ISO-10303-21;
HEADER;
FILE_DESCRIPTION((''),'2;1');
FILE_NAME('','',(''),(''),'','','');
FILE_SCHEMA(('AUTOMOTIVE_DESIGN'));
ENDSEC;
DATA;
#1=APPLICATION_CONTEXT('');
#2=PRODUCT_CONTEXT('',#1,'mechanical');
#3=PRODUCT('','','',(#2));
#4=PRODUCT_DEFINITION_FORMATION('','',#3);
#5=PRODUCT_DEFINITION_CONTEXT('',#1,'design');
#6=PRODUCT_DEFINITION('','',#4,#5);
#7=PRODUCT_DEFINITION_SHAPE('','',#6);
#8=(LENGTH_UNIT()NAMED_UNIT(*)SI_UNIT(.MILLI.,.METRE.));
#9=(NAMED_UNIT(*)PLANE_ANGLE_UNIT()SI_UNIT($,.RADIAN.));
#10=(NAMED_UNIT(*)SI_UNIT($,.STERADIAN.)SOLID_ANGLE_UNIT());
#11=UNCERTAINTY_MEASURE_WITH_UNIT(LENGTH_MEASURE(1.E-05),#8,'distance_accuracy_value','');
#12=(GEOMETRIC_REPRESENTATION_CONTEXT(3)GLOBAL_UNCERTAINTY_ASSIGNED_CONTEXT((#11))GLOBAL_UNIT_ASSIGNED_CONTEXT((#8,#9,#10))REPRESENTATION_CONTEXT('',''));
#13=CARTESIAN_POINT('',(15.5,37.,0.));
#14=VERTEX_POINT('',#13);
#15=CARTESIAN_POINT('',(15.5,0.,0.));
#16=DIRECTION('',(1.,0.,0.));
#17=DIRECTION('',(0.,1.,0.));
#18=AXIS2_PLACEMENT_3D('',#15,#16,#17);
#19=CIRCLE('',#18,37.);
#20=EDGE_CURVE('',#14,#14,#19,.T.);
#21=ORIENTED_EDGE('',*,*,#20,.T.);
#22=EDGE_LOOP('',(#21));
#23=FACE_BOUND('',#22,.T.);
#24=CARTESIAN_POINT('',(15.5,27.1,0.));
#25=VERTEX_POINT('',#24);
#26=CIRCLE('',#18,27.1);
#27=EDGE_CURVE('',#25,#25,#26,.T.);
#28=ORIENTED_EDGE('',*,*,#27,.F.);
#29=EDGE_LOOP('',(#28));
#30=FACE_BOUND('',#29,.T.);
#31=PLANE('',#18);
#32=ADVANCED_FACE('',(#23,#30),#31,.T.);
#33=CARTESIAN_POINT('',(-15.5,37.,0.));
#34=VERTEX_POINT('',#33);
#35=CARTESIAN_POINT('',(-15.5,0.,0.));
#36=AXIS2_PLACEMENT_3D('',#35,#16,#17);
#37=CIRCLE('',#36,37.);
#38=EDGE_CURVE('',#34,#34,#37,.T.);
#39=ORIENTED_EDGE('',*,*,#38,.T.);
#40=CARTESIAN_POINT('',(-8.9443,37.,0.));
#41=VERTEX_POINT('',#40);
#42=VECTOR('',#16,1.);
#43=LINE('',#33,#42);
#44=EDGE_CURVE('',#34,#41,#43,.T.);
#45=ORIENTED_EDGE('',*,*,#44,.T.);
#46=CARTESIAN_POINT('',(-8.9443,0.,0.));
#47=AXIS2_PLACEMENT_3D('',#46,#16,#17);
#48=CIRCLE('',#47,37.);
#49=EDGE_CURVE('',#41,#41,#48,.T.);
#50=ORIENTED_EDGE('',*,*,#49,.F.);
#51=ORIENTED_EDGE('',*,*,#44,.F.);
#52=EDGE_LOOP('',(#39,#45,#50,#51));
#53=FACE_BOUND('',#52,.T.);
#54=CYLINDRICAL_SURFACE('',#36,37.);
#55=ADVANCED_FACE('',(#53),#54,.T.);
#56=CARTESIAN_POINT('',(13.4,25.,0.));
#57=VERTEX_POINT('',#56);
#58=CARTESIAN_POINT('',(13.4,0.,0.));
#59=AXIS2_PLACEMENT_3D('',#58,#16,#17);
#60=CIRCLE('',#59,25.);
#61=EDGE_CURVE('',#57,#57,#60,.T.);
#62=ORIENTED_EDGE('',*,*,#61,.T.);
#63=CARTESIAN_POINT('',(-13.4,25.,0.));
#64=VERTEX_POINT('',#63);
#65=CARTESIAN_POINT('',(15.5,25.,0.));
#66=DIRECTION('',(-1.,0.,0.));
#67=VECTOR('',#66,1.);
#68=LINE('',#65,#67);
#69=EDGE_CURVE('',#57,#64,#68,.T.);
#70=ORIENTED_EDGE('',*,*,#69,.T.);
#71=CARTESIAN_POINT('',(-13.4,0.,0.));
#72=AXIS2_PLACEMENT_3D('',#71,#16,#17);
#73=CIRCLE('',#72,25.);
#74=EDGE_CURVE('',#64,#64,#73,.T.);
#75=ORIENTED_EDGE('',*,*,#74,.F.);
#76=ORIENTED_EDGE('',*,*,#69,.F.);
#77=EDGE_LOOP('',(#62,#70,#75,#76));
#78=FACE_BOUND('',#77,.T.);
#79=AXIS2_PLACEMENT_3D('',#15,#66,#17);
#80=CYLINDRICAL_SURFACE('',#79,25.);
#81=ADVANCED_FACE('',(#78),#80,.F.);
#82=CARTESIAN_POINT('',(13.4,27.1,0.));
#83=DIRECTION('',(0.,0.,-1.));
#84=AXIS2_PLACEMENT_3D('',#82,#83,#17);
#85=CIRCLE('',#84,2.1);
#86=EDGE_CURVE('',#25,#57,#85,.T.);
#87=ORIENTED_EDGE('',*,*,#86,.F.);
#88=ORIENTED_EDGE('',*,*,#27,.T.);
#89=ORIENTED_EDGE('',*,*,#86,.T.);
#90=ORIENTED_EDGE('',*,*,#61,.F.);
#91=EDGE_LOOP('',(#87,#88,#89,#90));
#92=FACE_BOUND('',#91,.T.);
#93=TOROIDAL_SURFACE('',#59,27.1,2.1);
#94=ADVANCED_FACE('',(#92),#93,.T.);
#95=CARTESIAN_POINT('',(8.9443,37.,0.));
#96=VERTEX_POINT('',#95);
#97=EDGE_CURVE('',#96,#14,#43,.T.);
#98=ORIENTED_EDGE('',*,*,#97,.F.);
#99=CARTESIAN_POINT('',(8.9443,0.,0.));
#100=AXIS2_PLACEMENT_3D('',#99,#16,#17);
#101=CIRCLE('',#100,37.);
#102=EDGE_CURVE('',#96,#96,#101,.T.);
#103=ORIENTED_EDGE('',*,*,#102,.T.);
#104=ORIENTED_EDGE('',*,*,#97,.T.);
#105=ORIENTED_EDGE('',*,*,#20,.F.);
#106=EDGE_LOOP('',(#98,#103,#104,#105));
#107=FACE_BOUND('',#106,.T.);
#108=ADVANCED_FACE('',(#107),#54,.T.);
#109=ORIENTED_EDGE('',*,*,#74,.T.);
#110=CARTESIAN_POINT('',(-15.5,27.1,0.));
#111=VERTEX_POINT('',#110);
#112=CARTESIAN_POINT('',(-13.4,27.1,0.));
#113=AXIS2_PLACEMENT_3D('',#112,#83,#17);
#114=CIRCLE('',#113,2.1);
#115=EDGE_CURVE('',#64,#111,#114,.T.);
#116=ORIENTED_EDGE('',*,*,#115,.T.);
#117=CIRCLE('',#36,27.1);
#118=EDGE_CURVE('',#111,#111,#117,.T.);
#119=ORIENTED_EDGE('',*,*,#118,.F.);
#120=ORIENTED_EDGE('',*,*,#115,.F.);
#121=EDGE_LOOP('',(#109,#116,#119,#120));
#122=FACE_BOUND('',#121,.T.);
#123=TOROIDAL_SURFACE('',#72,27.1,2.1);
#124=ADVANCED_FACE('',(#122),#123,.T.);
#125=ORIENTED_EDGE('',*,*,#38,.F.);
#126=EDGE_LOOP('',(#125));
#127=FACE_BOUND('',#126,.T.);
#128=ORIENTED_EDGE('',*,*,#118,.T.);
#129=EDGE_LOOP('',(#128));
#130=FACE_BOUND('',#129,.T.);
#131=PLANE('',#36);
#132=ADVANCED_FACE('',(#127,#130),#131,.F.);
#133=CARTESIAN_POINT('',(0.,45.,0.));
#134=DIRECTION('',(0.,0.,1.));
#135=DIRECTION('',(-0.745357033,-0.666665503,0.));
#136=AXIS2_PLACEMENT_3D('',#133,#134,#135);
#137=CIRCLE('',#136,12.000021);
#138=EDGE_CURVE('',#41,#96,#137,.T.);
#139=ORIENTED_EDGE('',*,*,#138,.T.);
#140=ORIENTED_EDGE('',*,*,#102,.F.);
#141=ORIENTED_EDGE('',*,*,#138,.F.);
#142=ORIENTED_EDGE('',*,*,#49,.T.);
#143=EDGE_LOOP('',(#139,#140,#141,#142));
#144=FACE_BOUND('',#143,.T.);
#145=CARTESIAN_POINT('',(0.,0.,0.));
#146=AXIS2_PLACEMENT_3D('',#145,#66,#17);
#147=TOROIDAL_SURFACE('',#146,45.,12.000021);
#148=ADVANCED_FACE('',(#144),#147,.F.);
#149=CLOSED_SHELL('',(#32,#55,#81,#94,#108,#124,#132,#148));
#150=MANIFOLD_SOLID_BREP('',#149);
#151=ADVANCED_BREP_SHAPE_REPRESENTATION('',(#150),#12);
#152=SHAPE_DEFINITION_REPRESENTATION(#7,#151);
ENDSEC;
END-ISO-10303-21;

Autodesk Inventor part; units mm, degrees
ref_plane "YZ Plane" through (0, 0, 0) normal (1, 0, 0) x (0, 1, 0)
ref_plane "XZ Plane" through (0, 0, 0) normal (0, 1, 0) x (-1, 0, 0)
ref_plane "XY Plane" through (0, 0, 0) normal (0, 0, 1) x (1, 0, 0)
sketch "Sketch1" plane through (0, 0, 0) normal (0, 0, 1) x (1, 0, 0)
  line L0 (-15.5, 37) -> (15.5, 37)
  line L1 (15.5, 37) -> (15.5, 25)
  line L2 (15.5, 25) -> (-15.5, 25)
  line L3 (-15.5, 25) -> (-15.5, 37)
  arc A0 (-8.9443, 37) -> (8.9443, 37) centre (0, 45) ccw
  line L4 (-21.7, 0) -> (21.7, 0) projected
  point P0 (0, 0)
  dimension "d0" = 31
  dimension "d1" = 12
  dimension "d2" = 15.5
  dimension "d3" = 25
  dimension "d4" = 8
  dimension "d5" = 12
revolve "Revolution1" add sketch "Sketch1" angle 360 about axis through (-10, 0, 0) along (1, 0, 0) contours L0 A0 L1 L2 L3
fillet "Fillet1" radius 2.1 2 edges at (15.5, -25, 0) (-15.5, -25, 0)
properties part number "Inner Ring"
